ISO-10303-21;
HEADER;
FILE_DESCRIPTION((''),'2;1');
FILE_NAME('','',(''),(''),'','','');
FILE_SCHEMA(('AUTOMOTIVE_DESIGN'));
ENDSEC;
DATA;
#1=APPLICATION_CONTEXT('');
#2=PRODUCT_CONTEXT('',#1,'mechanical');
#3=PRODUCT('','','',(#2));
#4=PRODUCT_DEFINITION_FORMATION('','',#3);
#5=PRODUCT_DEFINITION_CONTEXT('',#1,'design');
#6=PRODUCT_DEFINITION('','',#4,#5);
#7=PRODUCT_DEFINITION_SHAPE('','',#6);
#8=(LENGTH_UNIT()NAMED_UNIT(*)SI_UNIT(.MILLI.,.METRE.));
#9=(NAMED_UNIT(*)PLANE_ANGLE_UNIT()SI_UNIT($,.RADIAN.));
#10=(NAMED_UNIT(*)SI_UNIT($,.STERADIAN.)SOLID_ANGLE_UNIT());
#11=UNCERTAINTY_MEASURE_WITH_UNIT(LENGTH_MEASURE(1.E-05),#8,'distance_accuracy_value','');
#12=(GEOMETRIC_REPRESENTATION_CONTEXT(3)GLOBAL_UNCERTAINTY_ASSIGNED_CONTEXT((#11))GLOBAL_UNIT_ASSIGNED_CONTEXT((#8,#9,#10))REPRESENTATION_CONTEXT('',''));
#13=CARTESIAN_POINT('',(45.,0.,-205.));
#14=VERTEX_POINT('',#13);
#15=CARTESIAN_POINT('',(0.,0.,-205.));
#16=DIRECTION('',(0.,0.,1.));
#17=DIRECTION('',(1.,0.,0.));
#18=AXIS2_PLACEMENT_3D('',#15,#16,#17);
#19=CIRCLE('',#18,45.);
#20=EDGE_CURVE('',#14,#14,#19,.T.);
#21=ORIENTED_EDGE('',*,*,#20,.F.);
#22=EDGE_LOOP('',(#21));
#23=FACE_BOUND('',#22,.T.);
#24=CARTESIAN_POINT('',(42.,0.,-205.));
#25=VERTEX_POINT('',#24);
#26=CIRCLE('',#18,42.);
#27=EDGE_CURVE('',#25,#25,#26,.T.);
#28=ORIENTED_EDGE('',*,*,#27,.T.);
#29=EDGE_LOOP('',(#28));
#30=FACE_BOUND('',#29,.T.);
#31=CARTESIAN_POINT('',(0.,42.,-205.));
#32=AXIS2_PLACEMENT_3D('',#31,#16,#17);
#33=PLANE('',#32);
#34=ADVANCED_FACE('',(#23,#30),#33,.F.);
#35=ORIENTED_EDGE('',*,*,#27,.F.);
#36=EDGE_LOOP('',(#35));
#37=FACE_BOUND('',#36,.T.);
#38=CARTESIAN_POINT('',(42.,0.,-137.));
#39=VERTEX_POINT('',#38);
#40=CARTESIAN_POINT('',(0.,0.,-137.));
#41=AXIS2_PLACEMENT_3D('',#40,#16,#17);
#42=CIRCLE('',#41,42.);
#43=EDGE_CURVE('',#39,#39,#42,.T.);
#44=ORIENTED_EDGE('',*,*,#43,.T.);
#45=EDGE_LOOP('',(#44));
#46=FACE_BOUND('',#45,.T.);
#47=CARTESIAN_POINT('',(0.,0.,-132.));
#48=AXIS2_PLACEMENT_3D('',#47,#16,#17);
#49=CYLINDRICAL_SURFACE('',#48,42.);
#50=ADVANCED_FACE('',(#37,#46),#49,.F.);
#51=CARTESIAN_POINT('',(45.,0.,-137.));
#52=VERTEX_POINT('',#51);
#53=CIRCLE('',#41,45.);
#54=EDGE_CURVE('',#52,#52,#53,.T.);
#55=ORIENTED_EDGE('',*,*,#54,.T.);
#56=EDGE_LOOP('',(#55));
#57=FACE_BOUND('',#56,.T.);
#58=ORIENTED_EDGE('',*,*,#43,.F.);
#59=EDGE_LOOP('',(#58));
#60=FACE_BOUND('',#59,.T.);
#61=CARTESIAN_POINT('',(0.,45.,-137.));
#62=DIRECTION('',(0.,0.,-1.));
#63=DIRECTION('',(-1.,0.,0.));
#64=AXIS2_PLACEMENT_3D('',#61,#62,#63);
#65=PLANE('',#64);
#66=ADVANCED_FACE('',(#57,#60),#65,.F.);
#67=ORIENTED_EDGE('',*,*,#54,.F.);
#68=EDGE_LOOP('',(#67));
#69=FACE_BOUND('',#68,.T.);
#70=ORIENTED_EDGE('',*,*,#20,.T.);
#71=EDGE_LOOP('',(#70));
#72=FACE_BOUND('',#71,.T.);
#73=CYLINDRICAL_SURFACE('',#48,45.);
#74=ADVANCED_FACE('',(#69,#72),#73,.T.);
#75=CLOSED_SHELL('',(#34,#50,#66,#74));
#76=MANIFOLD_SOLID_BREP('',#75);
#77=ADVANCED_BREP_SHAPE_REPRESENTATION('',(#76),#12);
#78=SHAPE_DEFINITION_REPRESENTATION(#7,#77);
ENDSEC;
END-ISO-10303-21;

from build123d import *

# Parameters (mm, degrees)
SKETCH_1_W = 68
SKETCH_1_H = 3


with BuildPart() as part:
    # 草图1 → 旋转1 (revolve)
    with BuildSketch(Plane(origin=(0, 0, 0), x_dir=(0, 0, -1), z_dir=(1, 0, 0)), mode=Mode.PRIVATE) as revolve_1_sk:
        with Locations((171, 43.5)):
            Rectangle(SKETCH_1_W, SKETCH_1_H)
    revolve(revolve_1_sk.sketch.rotate(Axis((0, 0, -132), (0, 0, -1)), 90), axis=Axis((0, 0, -132), (0, 0, -1)))


solid = part.part
